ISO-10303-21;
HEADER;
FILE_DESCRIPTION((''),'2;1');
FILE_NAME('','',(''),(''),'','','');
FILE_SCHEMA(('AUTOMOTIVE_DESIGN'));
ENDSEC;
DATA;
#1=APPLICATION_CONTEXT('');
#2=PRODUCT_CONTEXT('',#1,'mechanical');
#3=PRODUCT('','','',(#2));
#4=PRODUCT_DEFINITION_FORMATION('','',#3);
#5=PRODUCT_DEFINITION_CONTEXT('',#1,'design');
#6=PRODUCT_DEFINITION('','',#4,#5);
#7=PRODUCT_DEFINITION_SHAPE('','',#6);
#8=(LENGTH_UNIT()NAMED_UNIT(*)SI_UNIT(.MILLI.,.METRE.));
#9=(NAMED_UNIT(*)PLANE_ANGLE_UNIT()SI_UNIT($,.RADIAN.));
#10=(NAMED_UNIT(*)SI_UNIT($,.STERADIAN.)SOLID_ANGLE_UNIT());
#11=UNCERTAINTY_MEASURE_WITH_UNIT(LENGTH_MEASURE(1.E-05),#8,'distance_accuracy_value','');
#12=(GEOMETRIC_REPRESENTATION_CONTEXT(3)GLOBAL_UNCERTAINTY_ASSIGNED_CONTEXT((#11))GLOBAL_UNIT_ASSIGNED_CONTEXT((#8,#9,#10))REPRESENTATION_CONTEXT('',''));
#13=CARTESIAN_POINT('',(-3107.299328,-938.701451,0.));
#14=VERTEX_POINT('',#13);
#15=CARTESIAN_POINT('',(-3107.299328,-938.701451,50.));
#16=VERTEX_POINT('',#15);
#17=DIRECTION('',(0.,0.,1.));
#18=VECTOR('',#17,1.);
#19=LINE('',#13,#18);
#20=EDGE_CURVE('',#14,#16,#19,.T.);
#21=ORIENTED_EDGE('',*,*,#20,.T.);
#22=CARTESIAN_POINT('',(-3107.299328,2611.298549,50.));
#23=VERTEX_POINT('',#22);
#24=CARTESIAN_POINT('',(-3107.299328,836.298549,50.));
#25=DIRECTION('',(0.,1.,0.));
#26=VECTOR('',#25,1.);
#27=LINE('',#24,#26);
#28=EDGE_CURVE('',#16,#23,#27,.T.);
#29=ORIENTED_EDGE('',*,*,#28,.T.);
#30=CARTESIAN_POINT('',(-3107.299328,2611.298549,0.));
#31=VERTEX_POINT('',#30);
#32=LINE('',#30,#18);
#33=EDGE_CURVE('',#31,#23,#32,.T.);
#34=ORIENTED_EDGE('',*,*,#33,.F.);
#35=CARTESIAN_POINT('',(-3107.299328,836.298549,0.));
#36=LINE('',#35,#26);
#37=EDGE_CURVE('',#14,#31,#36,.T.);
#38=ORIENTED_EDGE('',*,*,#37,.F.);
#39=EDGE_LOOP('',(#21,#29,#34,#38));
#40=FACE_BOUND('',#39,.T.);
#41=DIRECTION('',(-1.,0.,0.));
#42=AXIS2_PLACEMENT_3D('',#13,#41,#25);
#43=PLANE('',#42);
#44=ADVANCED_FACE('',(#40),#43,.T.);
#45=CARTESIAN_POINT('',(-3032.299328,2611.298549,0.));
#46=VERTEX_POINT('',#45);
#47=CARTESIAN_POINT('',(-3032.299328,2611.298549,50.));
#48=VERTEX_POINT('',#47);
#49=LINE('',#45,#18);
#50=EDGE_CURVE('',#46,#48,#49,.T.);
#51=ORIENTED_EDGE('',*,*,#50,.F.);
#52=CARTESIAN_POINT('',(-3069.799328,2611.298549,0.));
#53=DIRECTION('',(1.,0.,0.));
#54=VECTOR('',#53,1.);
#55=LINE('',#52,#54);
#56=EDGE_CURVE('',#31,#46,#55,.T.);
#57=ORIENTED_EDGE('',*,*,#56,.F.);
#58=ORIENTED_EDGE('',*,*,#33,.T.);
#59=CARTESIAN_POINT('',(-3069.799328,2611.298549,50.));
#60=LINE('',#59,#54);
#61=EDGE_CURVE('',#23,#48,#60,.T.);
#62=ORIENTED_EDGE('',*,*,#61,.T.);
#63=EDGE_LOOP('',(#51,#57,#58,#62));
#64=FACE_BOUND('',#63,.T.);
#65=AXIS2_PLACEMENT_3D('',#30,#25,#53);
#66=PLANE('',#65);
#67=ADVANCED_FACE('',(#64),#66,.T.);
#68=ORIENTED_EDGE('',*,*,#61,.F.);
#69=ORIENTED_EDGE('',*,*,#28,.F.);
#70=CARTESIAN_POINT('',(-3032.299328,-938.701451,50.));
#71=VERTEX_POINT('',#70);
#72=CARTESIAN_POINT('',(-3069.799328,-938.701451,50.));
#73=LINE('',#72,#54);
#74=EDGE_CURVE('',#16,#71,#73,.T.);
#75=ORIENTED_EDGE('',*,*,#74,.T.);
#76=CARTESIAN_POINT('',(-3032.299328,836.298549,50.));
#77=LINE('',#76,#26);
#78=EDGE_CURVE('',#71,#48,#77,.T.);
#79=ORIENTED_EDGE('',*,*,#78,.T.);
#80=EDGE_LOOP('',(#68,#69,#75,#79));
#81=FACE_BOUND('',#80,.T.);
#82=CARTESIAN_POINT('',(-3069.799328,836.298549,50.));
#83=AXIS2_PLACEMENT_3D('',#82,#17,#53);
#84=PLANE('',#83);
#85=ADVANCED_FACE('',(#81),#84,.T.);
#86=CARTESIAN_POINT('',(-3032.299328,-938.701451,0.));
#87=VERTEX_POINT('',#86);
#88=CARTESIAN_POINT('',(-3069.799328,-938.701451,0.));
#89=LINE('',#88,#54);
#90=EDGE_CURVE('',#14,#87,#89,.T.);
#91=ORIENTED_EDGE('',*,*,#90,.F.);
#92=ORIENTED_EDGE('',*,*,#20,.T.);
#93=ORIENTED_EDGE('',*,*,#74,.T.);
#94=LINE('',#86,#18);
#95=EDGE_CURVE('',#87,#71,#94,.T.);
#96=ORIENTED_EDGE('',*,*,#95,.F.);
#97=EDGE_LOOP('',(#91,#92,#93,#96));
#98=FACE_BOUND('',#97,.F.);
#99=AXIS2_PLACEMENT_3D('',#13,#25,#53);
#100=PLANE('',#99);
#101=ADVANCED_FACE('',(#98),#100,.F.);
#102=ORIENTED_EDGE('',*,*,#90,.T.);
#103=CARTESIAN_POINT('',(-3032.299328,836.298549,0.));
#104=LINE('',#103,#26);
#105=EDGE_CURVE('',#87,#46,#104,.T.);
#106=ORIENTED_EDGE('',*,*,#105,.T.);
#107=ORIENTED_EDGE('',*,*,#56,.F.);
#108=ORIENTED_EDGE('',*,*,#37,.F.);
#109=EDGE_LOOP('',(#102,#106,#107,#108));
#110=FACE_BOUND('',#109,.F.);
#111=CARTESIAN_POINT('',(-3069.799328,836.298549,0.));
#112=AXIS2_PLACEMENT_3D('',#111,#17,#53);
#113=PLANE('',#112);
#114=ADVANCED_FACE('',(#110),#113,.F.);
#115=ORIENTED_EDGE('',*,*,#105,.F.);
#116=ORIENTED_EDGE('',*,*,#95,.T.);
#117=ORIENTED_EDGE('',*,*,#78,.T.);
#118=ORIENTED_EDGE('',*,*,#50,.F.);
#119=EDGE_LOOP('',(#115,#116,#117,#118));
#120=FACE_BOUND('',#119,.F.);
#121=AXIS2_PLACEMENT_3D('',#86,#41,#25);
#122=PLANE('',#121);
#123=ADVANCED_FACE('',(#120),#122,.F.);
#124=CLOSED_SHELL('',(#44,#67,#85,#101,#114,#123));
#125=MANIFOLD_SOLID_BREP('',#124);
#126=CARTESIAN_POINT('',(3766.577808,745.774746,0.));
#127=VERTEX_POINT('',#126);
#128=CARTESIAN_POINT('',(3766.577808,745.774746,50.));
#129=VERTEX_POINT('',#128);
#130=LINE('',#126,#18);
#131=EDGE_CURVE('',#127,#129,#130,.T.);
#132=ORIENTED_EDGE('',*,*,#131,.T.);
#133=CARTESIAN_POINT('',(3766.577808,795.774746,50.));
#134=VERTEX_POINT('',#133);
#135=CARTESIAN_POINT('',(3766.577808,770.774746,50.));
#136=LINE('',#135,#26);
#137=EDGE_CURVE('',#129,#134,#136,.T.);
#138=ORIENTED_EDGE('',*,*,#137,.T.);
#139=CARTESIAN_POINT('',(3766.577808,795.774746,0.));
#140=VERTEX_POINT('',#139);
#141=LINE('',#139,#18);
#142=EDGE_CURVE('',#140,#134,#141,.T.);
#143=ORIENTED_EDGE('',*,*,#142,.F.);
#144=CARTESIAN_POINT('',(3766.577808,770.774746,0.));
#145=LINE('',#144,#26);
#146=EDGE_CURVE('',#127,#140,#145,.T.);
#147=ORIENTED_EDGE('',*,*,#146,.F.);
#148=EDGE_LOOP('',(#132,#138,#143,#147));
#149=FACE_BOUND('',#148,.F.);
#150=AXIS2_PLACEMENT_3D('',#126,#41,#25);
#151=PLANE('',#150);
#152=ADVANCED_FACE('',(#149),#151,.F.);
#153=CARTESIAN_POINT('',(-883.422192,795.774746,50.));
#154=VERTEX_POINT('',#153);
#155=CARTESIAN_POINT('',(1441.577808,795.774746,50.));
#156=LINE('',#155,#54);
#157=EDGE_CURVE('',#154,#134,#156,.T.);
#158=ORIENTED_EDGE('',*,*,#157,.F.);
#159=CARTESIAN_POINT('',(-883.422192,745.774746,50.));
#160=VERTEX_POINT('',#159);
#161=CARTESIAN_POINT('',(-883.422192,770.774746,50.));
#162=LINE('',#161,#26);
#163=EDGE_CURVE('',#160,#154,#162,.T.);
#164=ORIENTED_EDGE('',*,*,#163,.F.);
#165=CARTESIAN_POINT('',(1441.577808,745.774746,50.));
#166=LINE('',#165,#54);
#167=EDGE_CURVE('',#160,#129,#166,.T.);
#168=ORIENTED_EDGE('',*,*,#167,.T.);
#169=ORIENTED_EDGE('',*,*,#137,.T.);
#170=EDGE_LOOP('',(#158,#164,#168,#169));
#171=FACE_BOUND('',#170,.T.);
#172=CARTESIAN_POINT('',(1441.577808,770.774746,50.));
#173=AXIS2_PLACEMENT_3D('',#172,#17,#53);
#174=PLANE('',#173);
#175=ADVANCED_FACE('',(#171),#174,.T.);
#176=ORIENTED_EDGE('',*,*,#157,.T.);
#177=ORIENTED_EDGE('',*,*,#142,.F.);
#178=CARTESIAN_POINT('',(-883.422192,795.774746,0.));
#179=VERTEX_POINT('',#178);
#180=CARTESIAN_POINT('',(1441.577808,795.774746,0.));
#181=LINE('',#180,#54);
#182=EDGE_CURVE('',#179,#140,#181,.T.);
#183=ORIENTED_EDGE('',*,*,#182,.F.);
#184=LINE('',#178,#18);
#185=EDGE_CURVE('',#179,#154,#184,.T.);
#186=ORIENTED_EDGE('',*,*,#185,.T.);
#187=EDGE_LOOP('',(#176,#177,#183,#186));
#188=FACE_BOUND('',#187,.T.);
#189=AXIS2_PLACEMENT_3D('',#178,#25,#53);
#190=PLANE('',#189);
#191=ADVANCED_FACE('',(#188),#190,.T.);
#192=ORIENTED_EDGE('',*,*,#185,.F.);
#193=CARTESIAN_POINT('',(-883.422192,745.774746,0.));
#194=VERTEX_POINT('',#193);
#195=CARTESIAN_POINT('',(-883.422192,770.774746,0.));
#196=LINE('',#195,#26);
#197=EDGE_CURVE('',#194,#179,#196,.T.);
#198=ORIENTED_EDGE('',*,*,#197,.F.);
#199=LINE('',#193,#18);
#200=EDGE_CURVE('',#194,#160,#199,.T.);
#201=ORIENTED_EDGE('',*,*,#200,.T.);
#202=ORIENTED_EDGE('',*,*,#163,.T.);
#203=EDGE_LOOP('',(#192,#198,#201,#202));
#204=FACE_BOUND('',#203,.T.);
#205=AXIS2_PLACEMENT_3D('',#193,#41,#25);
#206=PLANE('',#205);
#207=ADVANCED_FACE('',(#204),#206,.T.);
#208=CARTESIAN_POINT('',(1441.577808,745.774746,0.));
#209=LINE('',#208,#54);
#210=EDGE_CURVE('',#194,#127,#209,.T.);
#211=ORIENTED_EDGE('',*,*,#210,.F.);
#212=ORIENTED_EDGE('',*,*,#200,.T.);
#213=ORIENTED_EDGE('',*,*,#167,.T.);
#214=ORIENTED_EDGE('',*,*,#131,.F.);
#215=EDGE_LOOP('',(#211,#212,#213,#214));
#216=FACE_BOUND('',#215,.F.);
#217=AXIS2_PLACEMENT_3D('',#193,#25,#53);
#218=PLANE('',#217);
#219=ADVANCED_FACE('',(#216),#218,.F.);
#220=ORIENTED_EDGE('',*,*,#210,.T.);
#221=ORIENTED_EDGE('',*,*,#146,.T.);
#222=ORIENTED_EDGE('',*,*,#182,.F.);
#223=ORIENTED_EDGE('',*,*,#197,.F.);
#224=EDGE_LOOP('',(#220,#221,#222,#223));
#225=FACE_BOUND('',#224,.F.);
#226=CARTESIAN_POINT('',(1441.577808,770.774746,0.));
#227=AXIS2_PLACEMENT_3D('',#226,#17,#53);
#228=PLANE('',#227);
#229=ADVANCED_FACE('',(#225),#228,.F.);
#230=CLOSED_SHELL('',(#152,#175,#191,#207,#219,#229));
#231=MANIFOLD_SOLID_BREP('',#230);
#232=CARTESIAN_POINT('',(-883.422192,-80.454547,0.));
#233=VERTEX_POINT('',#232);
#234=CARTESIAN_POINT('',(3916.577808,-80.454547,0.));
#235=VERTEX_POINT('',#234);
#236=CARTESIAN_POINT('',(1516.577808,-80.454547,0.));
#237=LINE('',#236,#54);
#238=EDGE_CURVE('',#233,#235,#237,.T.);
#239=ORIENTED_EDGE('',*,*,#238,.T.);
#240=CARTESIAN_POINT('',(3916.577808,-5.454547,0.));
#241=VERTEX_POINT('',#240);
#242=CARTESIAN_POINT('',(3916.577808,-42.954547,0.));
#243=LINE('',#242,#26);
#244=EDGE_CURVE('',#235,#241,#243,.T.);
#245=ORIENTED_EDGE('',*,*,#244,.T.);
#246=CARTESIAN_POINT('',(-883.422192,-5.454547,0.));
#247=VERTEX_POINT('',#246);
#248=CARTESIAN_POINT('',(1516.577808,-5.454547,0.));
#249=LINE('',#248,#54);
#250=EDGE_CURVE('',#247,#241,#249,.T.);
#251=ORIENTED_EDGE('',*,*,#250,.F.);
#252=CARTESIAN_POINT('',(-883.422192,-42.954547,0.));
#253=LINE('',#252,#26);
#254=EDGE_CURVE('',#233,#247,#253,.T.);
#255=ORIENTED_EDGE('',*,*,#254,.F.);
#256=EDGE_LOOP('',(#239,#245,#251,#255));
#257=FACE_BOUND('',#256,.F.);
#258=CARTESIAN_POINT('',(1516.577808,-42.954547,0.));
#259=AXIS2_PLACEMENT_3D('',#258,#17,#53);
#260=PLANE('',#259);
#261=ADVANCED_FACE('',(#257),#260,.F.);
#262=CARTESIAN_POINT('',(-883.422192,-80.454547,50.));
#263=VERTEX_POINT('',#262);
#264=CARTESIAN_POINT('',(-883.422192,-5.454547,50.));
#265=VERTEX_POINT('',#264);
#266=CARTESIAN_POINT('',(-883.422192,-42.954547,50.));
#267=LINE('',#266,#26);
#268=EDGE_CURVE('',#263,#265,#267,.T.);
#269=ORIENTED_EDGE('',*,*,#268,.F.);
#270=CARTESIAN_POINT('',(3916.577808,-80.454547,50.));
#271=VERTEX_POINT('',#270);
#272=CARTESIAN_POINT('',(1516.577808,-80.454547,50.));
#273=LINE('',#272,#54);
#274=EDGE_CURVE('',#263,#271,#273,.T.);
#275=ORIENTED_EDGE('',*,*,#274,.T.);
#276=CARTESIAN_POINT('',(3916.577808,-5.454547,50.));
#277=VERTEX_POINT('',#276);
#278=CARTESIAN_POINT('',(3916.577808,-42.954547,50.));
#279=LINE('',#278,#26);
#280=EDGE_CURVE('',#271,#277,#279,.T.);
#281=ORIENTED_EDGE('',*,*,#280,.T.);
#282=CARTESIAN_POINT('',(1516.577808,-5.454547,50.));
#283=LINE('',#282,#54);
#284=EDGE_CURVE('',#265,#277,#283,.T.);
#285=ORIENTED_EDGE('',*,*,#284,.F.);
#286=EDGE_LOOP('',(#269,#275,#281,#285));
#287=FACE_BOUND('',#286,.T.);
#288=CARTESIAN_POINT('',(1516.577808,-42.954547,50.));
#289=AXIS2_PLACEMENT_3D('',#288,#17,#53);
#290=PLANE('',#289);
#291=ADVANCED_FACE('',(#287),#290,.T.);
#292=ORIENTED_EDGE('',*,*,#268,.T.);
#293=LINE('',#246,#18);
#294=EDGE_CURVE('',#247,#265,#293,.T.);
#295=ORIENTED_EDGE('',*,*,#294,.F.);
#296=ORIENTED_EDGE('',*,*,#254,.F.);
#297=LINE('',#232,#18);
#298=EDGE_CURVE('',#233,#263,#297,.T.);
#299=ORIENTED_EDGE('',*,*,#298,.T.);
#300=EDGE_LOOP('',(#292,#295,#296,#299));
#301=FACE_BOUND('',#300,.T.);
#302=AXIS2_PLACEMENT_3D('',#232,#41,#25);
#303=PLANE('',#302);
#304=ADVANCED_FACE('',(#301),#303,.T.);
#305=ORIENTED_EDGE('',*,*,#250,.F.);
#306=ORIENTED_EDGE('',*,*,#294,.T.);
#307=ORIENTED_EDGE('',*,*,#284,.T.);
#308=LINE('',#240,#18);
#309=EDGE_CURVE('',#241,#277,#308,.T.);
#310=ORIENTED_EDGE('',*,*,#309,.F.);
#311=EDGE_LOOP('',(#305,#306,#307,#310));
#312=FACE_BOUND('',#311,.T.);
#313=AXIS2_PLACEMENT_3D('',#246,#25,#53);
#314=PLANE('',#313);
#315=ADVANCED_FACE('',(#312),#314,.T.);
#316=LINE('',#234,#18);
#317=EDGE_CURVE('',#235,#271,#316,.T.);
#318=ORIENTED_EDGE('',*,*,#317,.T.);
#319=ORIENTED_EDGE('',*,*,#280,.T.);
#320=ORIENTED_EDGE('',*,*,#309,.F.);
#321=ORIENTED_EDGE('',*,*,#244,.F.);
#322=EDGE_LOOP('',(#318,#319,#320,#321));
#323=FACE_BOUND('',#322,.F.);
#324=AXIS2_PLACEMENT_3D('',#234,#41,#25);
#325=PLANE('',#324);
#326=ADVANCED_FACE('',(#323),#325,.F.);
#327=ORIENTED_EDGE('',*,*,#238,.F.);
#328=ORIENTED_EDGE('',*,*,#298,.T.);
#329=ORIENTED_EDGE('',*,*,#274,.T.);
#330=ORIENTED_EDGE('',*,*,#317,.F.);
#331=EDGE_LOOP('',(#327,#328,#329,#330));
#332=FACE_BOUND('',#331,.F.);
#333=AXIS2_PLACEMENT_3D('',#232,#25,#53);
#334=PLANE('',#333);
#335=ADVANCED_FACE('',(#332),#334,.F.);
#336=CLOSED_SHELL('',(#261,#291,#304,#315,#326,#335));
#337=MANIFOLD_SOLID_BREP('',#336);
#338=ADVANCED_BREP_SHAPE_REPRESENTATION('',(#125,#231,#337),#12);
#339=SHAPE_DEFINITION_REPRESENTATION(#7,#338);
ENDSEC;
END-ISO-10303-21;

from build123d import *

# Parameters (mm, degrees)
F0_W     = 4800
F0_H     = 75
F0_W_2   = 4650
F0_H_2   = 50
F0_W_3   = 75
F0_H_3   = 3550
F1_DEPTH = 50


with BuildPart() as f1:
    # F0 (on Top) → F1 (new body)
    with BuildSketch(Plane.XY):
        with Locations((1516.577808, -42.954547)):
            Rectangle(F0_W, F0_H)
        with Locations((1441.577808, 770.774746)):
            Rectangle(F0_W_2, F0_H_2)
        with Locations((-3069.799328, 836.298549)):
            Rectangle(F0_W_3, F0_H_3)
    extrude(amount=F1_DEPTH)


solid = f1.part
